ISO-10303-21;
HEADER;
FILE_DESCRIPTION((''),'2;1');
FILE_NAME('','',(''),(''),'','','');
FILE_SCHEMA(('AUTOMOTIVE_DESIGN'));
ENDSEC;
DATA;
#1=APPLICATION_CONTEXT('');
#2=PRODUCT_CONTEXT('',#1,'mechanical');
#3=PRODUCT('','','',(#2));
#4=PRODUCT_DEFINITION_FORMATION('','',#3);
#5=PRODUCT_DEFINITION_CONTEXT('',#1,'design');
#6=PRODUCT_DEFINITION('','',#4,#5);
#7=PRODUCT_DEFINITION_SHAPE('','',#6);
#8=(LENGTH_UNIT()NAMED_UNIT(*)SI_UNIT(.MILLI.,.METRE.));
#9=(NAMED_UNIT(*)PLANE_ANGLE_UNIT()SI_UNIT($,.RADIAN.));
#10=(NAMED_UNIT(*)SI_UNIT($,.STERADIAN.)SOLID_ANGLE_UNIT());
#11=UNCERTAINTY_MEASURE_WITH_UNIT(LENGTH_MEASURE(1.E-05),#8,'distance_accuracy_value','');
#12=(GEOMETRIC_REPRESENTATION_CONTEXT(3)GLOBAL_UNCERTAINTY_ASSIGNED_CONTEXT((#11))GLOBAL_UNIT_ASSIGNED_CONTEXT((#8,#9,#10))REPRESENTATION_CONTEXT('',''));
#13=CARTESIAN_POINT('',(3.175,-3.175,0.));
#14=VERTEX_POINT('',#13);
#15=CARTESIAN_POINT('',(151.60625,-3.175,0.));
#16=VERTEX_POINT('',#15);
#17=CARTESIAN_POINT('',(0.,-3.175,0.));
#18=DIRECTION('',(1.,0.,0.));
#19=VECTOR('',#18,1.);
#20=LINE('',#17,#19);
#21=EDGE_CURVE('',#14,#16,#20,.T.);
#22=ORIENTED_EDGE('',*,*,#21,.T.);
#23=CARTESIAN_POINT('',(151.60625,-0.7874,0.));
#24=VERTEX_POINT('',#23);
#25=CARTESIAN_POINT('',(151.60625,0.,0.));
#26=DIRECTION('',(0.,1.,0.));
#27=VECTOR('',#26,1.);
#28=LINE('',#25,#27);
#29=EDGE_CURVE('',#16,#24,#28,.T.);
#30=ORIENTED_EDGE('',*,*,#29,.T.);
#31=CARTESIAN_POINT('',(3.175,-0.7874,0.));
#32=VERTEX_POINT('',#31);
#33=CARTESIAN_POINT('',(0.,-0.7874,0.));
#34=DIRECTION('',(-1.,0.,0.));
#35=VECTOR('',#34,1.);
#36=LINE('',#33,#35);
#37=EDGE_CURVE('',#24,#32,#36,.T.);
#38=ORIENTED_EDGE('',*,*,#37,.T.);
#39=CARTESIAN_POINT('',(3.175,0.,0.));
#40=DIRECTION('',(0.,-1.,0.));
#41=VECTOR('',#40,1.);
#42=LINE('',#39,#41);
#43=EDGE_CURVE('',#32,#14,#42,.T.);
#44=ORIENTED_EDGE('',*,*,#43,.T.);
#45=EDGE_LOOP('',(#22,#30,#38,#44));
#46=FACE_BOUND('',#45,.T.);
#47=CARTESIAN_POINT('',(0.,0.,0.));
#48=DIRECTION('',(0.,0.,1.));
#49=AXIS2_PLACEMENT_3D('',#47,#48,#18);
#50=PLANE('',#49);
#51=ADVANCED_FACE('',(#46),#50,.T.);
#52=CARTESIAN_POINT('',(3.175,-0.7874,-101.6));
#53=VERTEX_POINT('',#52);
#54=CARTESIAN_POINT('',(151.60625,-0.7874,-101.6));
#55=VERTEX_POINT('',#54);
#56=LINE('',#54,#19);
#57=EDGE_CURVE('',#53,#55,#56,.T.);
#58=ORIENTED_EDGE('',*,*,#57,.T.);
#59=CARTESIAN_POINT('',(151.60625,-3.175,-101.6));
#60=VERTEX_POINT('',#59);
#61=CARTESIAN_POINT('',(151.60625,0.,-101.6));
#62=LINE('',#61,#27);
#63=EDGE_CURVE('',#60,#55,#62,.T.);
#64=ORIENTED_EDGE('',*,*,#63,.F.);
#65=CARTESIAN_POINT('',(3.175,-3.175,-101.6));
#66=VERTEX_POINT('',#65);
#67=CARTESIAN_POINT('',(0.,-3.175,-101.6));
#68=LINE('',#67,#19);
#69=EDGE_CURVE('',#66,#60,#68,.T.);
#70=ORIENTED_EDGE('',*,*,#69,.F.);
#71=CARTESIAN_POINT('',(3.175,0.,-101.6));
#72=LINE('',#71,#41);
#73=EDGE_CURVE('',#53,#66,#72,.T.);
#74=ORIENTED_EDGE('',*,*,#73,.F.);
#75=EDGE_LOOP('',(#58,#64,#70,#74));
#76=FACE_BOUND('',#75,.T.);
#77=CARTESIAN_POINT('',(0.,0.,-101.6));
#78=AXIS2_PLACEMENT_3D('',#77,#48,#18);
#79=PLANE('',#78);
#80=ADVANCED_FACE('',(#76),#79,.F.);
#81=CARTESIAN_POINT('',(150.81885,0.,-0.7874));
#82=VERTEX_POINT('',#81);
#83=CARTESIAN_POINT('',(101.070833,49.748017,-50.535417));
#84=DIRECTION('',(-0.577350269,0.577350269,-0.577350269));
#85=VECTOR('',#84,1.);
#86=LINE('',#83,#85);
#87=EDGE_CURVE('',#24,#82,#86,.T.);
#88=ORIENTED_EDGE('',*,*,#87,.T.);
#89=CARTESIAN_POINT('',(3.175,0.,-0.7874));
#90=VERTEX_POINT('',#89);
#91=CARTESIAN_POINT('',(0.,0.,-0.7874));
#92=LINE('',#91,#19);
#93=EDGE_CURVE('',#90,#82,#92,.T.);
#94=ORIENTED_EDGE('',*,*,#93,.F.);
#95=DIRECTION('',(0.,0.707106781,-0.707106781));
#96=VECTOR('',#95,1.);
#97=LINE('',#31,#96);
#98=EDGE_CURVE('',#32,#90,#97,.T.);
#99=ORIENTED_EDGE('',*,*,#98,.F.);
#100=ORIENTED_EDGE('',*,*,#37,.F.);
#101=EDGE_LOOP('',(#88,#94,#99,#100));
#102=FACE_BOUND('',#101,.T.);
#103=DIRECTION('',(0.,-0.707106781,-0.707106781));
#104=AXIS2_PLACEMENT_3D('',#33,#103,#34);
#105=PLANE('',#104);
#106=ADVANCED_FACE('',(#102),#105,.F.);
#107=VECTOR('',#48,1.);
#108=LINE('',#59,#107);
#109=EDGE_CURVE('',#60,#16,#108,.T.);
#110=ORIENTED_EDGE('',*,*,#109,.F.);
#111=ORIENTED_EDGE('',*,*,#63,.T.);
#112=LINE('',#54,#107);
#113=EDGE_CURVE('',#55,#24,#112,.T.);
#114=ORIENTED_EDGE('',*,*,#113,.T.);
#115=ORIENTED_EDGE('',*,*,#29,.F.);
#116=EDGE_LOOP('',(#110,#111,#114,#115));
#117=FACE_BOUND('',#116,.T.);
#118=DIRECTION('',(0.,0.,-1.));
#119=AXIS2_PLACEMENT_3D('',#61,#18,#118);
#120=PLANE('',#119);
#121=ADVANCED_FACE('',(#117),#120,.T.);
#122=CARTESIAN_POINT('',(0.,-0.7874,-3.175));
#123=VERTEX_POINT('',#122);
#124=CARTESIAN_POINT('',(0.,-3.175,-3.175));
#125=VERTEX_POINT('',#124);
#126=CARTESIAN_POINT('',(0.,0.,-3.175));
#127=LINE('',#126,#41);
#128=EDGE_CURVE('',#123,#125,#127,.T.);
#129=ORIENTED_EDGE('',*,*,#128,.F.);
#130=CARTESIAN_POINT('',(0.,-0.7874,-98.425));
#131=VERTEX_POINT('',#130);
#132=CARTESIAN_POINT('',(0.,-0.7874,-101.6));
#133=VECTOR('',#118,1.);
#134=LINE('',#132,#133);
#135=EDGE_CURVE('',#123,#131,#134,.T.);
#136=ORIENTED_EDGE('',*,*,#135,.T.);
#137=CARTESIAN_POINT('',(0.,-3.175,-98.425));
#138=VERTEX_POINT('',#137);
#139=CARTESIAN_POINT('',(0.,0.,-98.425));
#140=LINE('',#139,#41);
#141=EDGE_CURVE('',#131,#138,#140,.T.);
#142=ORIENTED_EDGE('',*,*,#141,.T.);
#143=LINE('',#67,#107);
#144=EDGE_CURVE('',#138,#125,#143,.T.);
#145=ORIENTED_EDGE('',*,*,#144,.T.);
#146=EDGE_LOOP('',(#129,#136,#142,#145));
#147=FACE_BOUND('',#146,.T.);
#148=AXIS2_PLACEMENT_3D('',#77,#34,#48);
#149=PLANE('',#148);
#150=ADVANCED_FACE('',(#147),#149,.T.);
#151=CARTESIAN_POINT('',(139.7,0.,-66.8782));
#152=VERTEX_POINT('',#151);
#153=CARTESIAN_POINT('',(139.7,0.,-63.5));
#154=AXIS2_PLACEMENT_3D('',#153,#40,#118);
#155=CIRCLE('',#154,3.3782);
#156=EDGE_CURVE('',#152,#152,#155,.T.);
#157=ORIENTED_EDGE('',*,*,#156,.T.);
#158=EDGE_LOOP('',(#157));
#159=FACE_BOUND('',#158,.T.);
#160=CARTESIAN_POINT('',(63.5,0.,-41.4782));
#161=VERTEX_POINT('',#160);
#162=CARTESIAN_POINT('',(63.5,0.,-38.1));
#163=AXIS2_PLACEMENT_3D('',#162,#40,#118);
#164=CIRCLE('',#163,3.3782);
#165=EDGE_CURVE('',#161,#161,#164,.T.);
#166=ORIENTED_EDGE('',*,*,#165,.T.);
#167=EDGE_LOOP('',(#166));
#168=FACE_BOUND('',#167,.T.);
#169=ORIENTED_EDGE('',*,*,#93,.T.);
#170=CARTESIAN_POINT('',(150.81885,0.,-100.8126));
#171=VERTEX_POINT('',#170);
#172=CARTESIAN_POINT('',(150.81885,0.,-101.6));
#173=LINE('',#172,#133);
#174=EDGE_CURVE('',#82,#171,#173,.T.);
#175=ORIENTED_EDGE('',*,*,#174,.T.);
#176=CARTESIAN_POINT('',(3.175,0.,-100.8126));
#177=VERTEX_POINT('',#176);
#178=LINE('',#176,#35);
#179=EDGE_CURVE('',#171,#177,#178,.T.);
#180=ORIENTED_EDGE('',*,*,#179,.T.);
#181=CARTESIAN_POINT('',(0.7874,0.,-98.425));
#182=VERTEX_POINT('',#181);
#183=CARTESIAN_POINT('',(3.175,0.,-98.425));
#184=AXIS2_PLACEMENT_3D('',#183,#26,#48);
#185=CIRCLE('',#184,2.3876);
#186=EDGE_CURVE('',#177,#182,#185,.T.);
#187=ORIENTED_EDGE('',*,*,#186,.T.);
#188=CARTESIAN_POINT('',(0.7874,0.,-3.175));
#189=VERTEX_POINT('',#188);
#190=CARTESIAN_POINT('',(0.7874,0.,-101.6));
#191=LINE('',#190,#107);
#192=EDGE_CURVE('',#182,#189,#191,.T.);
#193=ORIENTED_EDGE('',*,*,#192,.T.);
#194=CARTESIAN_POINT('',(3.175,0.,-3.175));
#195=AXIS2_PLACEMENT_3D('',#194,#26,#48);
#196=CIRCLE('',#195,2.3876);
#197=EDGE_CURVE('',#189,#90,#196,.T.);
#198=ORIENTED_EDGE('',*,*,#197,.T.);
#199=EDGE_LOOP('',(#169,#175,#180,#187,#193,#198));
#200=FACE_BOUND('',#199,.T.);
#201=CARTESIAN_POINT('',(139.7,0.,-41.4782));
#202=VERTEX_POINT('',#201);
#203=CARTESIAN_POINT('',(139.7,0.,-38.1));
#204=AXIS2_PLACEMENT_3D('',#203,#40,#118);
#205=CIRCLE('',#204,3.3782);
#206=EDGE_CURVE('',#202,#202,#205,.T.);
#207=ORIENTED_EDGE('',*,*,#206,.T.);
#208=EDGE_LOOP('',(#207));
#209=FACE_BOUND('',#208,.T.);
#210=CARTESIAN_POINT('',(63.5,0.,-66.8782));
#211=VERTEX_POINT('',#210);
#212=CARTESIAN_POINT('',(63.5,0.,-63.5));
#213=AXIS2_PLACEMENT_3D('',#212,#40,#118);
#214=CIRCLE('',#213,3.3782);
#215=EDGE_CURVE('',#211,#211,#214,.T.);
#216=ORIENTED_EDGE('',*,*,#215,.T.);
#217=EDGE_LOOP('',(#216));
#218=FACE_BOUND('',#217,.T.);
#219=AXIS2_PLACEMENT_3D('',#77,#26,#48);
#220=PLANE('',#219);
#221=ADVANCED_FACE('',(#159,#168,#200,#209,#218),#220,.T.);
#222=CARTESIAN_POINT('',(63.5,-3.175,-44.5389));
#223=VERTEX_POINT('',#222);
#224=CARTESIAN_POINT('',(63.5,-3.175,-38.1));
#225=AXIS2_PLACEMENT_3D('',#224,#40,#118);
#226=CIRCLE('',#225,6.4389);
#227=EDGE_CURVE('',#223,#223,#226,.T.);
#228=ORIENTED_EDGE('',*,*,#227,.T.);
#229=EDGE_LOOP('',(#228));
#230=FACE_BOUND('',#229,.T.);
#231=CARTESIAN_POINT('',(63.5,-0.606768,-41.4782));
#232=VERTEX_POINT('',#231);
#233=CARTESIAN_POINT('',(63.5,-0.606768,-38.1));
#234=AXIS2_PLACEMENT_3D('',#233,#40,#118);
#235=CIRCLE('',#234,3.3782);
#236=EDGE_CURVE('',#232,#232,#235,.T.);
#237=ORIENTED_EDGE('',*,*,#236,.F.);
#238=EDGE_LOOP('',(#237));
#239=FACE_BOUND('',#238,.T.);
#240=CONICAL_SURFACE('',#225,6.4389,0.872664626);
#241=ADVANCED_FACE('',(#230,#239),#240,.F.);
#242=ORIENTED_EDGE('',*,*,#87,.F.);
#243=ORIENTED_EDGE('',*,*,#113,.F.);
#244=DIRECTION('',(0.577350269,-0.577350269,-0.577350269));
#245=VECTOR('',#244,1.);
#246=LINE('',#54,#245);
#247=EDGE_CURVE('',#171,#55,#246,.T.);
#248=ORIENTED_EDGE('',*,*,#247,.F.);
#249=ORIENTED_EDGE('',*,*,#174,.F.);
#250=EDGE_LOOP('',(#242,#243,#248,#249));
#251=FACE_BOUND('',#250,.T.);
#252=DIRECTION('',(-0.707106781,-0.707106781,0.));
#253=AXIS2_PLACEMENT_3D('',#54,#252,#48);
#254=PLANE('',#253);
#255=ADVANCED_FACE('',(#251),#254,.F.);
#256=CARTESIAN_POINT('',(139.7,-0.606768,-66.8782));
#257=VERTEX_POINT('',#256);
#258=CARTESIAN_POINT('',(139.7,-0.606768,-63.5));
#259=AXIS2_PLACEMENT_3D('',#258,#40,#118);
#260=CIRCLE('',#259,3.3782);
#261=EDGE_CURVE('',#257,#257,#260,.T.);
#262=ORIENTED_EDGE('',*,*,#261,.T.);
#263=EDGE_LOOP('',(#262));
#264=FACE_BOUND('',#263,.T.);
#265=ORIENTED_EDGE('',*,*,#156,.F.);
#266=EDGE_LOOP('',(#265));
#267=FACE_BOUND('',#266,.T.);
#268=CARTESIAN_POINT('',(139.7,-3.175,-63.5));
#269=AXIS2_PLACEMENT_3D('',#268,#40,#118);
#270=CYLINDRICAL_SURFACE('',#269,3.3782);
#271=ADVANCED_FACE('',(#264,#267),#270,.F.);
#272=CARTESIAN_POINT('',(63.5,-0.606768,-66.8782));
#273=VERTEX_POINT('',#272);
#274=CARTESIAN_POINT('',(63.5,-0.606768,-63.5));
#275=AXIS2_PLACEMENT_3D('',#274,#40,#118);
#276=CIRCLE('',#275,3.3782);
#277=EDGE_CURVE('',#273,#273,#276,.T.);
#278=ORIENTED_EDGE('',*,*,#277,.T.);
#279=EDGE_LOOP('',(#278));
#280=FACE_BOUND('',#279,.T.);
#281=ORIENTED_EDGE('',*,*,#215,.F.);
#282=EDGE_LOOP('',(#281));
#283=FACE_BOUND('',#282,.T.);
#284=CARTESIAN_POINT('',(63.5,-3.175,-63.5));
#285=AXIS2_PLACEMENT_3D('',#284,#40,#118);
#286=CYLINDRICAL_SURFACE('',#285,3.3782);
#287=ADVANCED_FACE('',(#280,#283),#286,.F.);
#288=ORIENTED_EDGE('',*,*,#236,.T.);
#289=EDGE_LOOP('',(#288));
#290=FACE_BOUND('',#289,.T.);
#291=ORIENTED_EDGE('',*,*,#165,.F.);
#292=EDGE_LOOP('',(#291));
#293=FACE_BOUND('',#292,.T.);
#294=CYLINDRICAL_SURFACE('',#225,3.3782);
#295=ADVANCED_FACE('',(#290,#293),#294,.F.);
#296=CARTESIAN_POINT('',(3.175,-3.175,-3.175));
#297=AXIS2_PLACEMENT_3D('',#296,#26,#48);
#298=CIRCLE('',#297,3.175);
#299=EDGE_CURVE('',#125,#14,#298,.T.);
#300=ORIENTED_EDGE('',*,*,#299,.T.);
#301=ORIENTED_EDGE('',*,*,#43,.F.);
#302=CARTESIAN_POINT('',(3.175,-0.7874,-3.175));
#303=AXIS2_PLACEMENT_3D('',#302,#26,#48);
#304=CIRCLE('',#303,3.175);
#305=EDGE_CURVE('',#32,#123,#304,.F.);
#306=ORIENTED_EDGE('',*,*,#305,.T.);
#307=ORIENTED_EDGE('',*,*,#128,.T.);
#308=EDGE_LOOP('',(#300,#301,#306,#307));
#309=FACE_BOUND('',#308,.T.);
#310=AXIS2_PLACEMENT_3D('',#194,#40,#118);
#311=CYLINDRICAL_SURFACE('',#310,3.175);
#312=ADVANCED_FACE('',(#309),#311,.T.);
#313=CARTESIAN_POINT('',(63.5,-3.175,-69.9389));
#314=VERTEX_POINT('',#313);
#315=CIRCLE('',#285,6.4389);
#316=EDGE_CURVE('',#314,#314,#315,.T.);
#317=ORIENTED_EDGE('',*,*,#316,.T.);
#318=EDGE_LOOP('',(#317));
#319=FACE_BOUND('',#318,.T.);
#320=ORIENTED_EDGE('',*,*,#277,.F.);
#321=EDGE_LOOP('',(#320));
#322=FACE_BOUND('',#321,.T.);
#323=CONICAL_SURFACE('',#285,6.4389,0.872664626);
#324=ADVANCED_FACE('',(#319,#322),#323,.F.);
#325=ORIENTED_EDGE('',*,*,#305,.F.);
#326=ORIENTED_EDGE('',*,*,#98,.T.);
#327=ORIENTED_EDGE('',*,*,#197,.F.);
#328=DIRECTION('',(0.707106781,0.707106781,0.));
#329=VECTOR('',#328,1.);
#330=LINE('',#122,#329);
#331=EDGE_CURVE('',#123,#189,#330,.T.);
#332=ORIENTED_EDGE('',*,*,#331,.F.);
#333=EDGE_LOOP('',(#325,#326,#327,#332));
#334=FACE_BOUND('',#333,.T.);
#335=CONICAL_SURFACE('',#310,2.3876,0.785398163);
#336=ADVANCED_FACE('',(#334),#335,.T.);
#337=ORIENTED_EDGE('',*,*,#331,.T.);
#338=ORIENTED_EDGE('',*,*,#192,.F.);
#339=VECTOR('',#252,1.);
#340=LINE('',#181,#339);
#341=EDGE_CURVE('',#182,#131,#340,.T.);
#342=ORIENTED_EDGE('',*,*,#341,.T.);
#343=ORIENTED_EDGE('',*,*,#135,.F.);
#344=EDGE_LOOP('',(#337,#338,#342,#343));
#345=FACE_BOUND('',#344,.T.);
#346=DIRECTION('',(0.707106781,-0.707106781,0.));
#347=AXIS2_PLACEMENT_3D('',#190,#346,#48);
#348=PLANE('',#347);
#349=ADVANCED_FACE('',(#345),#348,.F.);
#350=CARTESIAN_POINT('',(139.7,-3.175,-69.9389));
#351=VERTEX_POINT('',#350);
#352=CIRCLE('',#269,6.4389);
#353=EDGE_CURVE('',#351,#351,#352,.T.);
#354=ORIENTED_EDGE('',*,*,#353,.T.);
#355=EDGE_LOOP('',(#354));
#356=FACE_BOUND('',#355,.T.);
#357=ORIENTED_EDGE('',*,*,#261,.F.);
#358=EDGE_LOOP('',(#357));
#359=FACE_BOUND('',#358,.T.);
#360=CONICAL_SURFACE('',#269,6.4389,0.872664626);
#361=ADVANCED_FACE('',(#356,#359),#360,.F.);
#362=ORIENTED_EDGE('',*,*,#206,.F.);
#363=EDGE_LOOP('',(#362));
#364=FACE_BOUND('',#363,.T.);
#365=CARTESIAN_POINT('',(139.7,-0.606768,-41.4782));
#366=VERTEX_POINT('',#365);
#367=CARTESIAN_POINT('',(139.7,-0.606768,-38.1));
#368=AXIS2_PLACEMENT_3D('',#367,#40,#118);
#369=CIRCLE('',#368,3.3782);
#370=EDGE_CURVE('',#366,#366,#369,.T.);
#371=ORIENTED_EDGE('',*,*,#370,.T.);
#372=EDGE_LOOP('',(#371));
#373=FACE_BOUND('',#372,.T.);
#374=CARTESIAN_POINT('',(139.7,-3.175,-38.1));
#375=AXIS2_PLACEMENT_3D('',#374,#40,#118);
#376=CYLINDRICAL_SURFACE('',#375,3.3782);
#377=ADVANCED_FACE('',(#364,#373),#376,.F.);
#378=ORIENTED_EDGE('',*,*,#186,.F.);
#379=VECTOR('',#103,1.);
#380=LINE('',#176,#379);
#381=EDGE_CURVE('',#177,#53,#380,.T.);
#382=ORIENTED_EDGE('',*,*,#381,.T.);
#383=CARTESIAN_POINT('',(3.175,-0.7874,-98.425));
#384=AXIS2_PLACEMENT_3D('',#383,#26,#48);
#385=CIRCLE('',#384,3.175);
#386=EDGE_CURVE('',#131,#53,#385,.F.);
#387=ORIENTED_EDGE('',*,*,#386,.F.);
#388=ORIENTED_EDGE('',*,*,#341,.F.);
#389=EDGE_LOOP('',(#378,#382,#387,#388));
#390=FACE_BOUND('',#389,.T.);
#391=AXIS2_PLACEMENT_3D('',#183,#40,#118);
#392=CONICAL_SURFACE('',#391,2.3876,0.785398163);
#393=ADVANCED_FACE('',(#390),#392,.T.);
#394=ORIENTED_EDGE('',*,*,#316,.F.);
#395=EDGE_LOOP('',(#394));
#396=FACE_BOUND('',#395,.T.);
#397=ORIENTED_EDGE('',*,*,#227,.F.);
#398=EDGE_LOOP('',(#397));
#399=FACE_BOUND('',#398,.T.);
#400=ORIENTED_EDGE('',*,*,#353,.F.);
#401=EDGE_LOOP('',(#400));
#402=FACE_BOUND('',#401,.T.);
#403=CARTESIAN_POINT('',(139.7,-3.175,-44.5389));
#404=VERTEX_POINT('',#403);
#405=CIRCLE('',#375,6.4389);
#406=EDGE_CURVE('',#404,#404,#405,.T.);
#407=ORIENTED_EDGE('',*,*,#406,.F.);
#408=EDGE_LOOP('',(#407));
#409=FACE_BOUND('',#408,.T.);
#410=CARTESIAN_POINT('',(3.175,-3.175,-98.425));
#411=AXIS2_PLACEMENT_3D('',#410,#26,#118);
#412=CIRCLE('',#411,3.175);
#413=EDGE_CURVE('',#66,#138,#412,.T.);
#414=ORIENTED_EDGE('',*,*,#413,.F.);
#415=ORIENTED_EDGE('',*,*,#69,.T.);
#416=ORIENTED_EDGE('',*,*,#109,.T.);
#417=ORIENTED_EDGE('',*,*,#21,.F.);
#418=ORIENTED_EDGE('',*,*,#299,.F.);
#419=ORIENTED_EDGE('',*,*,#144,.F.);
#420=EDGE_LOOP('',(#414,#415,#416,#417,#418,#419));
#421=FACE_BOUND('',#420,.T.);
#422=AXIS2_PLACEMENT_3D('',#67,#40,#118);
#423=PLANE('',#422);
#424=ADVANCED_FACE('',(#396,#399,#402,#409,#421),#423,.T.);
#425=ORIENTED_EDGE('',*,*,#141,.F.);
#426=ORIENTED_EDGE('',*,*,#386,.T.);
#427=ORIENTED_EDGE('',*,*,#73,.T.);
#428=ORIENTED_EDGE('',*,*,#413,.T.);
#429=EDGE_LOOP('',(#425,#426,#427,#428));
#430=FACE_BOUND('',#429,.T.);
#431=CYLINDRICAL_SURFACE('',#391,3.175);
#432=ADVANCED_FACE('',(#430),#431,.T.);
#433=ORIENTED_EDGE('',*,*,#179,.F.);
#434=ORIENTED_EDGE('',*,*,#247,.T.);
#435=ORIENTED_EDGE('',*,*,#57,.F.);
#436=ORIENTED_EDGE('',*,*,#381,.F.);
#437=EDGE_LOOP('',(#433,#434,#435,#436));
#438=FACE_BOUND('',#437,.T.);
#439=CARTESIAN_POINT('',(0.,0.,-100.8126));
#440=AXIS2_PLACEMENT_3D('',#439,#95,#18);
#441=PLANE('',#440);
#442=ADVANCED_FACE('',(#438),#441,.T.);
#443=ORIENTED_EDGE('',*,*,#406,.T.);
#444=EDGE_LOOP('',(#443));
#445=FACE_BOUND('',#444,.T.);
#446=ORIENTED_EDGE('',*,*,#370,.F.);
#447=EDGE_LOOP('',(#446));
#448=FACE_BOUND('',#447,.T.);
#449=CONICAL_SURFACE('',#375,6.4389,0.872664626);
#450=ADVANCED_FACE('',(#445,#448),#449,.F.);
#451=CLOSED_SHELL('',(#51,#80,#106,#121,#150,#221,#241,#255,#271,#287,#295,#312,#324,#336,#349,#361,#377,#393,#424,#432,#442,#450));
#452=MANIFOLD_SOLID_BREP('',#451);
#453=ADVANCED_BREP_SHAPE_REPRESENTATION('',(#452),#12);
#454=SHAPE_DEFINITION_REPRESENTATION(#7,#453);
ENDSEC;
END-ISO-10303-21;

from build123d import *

# Parameters (mm, degrees)
SKETCH2_W                                   = 151.60625
SKETCH2_H                                   = 3.175
BOSS_EXTRUDE2_DEPTH                         = 101.6
CSK_FOR_1_4_FLAT_HEAD_MACHINE_SCREW_2_COUNT = 2
CSK_FOR_1_4_FLAT_HEAD_MACHINE_SCREW_2_PITCH = 25.4
CSK_FOR_1_4_FLAT_HEAD_MACHINE_SCREW_3_COUNT = 2
CSK_FOR_1_4_FLAT_HEAD_MACHINE_SCREW_3_PITCH = 80.321852568
CSK_FOR_1_4_FLAT_HEAD_MACHINE_SCREW_4_COUNT = 2
CSK_FOR_1_4_FLAT_HEAD_MACHINE_SCREW_4_PITCH = 76.2
CUT_EXTRUDE1_DEPTH                          = 4.175
CHAMFER1_SIZE                               = 0.7874


with BuildPart() as part:
    # Sketch2 → Boss-Extrude2 (new body)
    with BuildSketch(Plane.XY):
        with Locations((75.803125, -1.5875)):
            Rectangle(SKETCH2_W, SKETCH2_H)
    extrude(amount=-BOSS_EXTRUDE2_DEPTH)

    # Sketch4 → CSK for 1/4 Flat Head Machine Screw (100)1 (revolve, cut)
    with BuildSketch(Plane(origin=(63.5, -3.175, -38.1), x_dir=(0, 0, -1), z_dir=(1, 0, 0))):
        Polygon((0, 0), (0, 3.175), (3.3782, 3.175), (3.3782, 2.568232241), (6.4389, 0), align=None)
    csk_for_1_4_flat_head_machine_screw_100 = revolve(axis=Axis((63.5, -9.525, -38.1), (0, 1, 0)), mode=Mode.SUBTRACT)

    # CSK for 1_4 Flat Head Machine Screw  2: CSK for 1/4 Flat Head Machine Screw (100)1 ×2
    with Locations(*[(0, 0, -i * CSK_FOR_1_4_FLAT_HEAD_MACHINE_SCREW_2_PITCH) for i in range(1, CSK_FOR_1_4_FLAT_HEAD_MACHINE_SCREW_2_COUNT)]):
        add(csk_for_1_4_flat_head_machine_screw_100, mode=Mode.SUBTRACT)

    # CSK for 1_4 Flat Head Machine Screw  3: CSK for 1/4 Flat Head Machine Screw (100)1 ×2
    with Locations(*[Vector(0.948683298, 0, -0.316227766) * (i * CSK_FOR_1_4_FLAT_HEAD_MACHINE_SCREW_3_PITCH) for i in range(1, CSK_FOR_1_4_FLAT_HEAD_MACHINE_SCREW_3_COUNT)]):
        add(csk_for_1_4_flat_head_machine_screw_100, mode=Mode.SUBTRACT)

    # CSK for 1_4 Flat Head Machine Screw  4: CSK for 1/4 Flat Head Machine Screw (100)1 ×2
    with Locations(*[(i * CSK_FOR_1_4_FLAT_HEAD_MACHINE_SCREW_4_PITCH, 0, 0) for i in range(1, CSK_FOR_1_4_FLAT_HEAD_MACHINE_SCREW_4_COUNT)]):
        add(csk_for_1_4_flat_head_machine_screw_100, mode=Mode.SUBTRACT)

    # Sketch5 → Cut-Extrude1 (cut, through all)
    with BuildSketch(Plane.XZ.offset(3.175)):
        with BuildLine():
            Line((3.175, 0), (0, 0))
            Line((0, 0), (0, -3.175))
            ThreePointArc((0, -3.175), (0.92993597, -0.92993597), (3.175, 0))
        make_face()
        with BuildLine():
            Line((0, -101.6), (0, -98.425))
            ThreePointArc((0, -98.425), (0.92993597, -100.67006403), (3.175, -101.6))
            Line((3.175, -101.6), (0, -101.6))
        make_face()
    extrude(amount=-CUT_EXTRUDE1_DEPTH, mode=Mode.SUBTRACT)

    # Chamfer1
    chamfer1_edges = [part.edges().sort_by_distance(p)[0] for p in [
        (77.390625, 0, -101.6),
        (77.390625, 0, 0),
        (0, 0, -50.8),
        (0.92993597, 0, -0.92993597),
        (151.60625, 0, -50.8),
        (0.92993597, 0, -100.67006403),
    ]]
    chamfer(chamfer1_edges, length=CHAMFER1_SIZE)


solid = part.part
